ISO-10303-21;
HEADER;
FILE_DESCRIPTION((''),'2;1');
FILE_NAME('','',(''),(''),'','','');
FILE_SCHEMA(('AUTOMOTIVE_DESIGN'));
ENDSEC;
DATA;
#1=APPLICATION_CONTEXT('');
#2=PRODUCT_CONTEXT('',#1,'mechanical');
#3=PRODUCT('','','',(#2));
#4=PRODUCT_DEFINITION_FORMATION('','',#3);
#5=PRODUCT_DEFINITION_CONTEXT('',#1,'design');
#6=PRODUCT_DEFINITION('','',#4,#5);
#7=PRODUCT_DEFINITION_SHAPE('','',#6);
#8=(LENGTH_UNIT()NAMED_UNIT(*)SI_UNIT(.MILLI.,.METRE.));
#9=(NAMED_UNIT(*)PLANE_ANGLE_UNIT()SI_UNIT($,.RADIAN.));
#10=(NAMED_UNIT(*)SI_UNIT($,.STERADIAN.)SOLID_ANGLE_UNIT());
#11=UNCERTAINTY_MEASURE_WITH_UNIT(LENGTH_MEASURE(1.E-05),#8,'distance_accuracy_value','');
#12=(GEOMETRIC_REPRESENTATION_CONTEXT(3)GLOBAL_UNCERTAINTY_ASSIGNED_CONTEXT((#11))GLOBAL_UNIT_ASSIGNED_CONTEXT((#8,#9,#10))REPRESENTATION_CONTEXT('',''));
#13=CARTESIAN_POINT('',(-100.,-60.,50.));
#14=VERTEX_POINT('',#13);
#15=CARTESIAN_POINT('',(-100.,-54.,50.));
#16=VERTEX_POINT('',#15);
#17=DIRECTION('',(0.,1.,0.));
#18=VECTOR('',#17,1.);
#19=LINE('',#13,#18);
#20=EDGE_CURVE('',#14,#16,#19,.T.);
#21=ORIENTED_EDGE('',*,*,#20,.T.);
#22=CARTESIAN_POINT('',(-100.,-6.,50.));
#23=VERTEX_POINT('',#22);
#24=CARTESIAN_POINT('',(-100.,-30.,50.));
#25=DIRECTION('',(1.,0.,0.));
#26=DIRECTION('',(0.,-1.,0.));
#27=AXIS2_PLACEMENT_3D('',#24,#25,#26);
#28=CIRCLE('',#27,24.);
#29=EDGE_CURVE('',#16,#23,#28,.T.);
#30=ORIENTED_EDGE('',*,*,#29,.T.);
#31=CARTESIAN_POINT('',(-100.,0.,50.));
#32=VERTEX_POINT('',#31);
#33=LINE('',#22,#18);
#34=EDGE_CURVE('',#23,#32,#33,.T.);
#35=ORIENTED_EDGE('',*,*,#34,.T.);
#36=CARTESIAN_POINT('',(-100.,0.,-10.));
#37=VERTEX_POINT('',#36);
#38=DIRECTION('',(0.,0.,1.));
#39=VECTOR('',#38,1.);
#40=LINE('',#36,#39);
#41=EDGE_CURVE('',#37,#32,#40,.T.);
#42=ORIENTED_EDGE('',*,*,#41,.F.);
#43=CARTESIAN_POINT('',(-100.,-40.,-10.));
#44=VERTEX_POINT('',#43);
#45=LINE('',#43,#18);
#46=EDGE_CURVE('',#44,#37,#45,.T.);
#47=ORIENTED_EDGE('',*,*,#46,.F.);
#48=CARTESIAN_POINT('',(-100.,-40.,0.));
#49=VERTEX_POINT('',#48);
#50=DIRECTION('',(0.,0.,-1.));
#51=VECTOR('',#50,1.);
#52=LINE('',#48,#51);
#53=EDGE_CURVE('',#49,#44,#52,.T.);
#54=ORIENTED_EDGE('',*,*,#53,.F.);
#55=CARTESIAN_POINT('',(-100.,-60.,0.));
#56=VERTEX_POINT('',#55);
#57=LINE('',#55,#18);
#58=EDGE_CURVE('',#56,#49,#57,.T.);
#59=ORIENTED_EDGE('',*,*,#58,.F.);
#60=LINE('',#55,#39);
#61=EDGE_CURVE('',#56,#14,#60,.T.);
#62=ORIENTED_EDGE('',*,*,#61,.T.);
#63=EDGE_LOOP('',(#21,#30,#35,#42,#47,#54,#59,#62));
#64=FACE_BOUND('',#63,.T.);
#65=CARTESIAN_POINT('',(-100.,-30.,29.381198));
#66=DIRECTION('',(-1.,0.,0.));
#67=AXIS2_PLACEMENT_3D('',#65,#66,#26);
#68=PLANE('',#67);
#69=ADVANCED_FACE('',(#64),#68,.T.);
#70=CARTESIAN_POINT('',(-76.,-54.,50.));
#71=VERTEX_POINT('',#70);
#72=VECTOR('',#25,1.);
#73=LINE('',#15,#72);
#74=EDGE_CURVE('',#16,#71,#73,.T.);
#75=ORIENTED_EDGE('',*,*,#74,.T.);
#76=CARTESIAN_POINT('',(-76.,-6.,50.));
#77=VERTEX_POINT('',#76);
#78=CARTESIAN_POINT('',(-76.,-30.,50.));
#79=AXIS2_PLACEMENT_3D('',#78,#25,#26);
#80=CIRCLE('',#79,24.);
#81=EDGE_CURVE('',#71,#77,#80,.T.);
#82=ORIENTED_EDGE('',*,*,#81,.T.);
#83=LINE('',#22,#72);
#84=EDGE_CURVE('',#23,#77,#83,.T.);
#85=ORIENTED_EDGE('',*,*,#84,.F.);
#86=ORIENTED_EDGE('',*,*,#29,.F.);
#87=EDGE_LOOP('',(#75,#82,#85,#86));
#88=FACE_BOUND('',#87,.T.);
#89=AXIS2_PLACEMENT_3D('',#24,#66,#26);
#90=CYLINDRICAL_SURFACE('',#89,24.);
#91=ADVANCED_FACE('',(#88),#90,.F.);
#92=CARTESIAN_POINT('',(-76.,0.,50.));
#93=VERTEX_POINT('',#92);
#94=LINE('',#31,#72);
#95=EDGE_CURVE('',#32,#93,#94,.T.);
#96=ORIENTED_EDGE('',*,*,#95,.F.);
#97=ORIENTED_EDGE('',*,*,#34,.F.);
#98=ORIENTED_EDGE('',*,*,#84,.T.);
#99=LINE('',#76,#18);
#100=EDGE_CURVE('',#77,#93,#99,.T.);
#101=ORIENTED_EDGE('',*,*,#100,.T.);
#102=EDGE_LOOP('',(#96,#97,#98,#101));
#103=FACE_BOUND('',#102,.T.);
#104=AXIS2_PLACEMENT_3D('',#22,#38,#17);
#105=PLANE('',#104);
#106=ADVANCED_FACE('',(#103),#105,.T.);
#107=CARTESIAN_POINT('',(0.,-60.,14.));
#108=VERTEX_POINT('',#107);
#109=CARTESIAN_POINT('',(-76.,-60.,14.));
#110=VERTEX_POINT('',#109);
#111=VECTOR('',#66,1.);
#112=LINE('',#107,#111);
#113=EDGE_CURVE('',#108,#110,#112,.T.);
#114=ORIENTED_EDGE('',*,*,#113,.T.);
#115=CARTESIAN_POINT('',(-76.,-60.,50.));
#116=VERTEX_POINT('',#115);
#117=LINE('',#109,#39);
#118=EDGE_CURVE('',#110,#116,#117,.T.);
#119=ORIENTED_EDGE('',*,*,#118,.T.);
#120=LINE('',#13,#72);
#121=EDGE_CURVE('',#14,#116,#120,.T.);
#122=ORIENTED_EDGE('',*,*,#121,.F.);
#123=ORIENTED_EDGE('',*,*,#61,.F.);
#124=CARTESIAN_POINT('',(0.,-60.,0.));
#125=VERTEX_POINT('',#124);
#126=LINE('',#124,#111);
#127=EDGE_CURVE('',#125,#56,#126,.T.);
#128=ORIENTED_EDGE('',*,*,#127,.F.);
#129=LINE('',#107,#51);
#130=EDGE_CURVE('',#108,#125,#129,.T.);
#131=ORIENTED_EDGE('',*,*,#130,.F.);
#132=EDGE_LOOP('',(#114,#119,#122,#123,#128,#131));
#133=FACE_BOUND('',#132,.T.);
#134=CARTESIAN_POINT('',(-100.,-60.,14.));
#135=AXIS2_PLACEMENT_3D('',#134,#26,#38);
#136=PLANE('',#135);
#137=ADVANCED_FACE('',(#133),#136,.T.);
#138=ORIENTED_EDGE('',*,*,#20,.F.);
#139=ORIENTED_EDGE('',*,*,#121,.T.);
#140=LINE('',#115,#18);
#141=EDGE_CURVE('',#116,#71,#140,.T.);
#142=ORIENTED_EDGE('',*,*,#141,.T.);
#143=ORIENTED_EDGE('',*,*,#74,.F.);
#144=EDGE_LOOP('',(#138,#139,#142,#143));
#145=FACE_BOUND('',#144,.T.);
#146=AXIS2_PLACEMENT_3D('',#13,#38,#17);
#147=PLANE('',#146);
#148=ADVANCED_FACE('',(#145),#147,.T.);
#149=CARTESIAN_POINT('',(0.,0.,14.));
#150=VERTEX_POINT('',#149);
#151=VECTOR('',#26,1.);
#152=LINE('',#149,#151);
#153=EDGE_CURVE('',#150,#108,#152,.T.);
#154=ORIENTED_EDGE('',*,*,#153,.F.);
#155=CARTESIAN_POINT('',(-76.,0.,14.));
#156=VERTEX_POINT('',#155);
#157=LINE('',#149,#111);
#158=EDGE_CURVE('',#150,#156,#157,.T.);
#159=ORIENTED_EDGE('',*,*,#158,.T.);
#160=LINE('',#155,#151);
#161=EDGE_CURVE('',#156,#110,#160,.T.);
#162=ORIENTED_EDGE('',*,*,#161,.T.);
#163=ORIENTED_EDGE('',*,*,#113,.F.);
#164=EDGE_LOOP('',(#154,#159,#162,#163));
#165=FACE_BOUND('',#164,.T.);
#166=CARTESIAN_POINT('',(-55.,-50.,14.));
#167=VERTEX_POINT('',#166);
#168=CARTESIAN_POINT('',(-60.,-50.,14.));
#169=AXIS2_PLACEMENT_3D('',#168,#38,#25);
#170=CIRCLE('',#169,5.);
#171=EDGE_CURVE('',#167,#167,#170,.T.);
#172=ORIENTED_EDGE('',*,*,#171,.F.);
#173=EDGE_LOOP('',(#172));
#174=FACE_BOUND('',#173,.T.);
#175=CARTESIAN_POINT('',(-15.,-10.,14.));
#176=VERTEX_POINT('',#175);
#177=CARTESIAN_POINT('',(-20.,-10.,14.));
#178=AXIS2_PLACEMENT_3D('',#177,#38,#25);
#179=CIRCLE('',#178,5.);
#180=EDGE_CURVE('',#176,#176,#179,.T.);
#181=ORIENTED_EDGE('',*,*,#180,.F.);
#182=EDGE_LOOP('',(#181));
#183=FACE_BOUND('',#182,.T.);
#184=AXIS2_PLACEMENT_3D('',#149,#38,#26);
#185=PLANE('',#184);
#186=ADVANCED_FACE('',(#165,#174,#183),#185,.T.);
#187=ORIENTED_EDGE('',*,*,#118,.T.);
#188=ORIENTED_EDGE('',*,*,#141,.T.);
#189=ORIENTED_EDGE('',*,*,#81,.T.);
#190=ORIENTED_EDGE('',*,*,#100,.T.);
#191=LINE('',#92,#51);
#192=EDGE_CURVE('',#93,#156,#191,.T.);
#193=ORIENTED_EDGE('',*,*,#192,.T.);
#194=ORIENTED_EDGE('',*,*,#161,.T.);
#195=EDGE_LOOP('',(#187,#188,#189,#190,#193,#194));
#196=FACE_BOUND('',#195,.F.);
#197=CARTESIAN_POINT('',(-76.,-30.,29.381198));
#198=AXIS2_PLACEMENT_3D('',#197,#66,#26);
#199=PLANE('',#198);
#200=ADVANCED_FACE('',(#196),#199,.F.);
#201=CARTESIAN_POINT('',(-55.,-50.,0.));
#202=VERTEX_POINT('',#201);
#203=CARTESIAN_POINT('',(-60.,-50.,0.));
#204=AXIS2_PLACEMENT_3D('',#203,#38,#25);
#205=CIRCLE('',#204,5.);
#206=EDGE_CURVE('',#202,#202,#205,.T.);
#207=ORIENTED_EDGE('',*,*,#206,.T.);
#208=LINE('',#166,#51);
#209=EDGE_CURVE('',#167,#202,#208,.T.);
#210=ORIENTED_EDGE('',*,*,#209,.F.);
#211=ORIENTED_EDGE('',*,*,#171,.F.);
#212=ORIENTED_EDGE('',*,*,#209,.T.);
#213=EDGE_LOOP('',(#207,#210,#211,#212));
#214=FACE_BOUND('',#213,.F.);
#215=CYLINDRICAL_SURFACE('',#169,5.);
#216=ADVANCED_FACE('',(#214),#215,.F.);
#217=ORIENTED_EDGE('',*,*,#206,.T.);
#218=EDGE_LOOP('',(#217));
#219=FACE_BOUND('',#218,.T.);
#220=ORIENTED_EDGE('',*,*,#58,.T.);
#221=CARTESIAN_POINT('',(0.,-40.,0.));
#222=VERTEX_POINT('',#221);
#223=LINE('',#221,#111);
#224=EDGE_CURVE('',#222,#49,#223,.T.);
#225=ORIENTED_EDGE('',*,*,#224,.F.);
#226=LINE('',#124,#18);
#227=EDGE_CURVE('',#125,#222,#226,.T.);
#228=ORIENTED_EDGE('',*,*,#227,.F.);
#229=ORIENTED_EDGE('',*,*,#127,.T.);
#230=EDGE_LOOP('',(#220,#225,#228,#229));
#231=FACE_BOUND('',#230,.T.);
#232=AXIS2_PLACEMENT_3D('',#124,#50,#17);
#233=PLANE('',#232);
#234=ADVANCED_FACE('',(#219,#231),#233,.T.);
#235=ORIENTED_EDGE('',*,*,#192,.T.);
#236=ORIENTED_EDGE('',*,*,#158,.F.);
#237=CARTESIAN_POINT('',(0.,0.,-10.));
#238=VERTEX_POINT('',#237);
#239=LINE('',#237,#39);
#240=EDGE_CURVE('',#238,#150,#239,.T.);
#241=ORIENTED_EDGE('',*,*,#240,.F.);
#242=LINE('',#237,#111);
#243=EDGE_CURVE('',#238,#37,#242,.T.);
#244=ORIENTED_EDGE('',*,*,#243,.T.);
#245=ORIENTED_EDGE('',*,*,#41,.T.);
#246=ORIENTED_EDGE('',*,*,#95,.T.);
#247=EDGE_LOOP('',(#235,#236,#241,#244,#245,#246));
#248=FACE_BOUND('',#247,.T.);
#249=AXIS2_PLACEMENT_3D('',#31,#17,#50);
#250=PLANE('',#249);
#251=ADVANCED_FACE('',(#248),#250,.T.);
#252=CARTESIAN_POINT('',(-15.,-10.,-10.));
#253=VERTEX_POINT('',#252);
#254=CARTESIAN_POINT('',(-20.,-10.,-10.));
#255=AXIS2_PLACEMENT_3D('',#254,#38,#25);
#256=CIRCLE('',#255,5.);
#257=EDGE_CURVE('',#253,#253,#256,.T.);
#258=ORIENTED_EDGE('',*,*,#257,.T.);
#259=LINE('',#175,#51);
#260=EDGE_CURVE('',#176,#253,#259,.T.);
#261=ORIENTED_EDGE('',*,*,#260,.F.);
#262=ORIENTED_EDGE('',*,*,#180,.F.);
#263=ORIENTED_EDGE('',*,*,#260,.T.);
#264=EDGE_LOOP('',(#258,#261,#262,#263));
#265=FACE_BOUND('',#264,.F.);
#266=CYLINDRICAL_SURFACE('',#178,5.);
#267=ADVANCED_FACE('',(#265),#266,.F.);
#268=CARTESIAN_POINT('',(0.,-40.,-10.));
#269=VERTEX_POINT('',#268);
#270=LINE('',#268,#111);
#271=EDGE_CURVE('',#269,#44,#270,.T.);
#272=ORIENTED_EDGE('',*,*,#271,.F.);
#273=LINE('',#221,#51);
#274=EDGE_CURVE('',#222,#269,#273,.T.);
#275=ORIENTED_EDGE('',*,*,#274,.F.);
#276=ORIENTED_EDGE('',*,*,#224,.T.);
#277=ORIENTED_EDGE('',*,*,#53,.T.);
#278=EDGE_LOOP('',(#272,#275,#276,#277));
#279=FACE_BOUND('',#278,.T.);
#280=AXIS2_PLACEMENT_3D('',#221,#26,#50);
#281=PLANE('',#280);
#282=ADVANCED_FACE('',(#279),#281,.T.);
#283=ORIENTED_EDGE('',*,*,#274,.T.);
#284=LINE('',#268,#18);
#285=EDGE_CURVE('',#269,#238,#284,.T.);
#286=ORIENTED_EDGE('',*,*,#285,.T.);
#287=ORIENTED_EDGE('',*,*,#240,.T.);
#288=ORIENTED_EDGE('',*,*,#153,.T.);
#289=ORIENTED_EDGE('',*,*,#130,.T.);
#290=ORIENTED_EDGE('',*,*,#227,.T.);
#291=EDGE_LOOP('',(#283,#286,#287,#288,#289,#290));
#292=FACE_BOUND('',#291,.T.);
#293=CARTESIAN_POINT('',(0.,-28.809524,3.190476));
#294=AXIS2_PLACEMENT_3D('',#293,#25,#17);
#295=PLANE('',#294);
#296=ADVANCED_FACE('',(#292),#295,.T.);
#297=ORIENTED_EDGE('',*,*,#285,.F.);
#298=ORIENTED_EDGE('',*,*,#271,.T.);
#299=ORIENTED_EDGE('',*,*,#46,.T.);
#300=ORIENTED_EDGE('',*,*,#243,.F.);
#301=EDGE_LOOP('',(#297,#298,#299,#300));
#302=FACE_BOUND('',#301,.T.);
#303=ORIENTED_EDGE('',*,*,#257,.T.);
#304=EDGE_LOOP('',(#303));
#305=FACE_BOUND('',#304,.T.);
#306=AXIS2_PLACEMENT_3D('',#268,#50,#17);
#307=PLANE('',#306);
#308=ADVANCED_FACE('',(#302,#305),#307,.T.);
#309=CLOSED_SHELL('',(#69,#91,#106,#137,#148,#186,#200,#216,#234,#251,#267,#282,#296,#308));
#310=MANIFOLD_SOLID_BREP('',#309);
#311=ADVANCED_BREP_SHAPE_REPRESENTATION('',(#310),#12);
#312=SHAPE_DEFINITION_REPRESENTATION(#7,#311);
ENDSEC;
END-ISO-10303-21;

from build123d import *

# Parameters (mm, degrees)
F1_DEPTH = 100
F3_DEPTH = 24
F4_R     = 5
F5_DEPTH = 25


with BuildPart() as f1:
    # F0 (on Right) → F1 (new body)
    with BuildSketch(Plane.YZ):
        Polygon((-40, -10), (0, -10), (0, 14), (-60, 14), (-60, 0), (-40, 0), align=None)
    extrude(amount=-F1_DEPTH)

    # F2 (on face) → F3 (join)
    with BuildSketch(Plane(origin=(-100, 0, 0), x_dir=(0, -1, 0), z_dir=(-1, 0, 0))):
        with BuildLine():
            Line((0, 50), (0, 14))
            Line((0, 14), (60, 14))
            Line((60, 14), (60, 50))
            Line((60, 50), (54, 50))
            ThreePointArc((54, 50), (30, 26), (6, 50))
            Line((6, 50), (0, 50))
        make_face()
    extrude(amount=-F3_DEPTH)

    # F4 (on face) → F5 (cut)
    with BuildSketch(Plane.XY.offset(14)):
        with Locations((-20, -10)):
            Circle(F4_R)
        with Locations((-60, -50)):
            Circle(F4_R)
    extrude(amount=-F5_DEPTH, mode=Mode.SUBTRACT)


solid = f1.part
